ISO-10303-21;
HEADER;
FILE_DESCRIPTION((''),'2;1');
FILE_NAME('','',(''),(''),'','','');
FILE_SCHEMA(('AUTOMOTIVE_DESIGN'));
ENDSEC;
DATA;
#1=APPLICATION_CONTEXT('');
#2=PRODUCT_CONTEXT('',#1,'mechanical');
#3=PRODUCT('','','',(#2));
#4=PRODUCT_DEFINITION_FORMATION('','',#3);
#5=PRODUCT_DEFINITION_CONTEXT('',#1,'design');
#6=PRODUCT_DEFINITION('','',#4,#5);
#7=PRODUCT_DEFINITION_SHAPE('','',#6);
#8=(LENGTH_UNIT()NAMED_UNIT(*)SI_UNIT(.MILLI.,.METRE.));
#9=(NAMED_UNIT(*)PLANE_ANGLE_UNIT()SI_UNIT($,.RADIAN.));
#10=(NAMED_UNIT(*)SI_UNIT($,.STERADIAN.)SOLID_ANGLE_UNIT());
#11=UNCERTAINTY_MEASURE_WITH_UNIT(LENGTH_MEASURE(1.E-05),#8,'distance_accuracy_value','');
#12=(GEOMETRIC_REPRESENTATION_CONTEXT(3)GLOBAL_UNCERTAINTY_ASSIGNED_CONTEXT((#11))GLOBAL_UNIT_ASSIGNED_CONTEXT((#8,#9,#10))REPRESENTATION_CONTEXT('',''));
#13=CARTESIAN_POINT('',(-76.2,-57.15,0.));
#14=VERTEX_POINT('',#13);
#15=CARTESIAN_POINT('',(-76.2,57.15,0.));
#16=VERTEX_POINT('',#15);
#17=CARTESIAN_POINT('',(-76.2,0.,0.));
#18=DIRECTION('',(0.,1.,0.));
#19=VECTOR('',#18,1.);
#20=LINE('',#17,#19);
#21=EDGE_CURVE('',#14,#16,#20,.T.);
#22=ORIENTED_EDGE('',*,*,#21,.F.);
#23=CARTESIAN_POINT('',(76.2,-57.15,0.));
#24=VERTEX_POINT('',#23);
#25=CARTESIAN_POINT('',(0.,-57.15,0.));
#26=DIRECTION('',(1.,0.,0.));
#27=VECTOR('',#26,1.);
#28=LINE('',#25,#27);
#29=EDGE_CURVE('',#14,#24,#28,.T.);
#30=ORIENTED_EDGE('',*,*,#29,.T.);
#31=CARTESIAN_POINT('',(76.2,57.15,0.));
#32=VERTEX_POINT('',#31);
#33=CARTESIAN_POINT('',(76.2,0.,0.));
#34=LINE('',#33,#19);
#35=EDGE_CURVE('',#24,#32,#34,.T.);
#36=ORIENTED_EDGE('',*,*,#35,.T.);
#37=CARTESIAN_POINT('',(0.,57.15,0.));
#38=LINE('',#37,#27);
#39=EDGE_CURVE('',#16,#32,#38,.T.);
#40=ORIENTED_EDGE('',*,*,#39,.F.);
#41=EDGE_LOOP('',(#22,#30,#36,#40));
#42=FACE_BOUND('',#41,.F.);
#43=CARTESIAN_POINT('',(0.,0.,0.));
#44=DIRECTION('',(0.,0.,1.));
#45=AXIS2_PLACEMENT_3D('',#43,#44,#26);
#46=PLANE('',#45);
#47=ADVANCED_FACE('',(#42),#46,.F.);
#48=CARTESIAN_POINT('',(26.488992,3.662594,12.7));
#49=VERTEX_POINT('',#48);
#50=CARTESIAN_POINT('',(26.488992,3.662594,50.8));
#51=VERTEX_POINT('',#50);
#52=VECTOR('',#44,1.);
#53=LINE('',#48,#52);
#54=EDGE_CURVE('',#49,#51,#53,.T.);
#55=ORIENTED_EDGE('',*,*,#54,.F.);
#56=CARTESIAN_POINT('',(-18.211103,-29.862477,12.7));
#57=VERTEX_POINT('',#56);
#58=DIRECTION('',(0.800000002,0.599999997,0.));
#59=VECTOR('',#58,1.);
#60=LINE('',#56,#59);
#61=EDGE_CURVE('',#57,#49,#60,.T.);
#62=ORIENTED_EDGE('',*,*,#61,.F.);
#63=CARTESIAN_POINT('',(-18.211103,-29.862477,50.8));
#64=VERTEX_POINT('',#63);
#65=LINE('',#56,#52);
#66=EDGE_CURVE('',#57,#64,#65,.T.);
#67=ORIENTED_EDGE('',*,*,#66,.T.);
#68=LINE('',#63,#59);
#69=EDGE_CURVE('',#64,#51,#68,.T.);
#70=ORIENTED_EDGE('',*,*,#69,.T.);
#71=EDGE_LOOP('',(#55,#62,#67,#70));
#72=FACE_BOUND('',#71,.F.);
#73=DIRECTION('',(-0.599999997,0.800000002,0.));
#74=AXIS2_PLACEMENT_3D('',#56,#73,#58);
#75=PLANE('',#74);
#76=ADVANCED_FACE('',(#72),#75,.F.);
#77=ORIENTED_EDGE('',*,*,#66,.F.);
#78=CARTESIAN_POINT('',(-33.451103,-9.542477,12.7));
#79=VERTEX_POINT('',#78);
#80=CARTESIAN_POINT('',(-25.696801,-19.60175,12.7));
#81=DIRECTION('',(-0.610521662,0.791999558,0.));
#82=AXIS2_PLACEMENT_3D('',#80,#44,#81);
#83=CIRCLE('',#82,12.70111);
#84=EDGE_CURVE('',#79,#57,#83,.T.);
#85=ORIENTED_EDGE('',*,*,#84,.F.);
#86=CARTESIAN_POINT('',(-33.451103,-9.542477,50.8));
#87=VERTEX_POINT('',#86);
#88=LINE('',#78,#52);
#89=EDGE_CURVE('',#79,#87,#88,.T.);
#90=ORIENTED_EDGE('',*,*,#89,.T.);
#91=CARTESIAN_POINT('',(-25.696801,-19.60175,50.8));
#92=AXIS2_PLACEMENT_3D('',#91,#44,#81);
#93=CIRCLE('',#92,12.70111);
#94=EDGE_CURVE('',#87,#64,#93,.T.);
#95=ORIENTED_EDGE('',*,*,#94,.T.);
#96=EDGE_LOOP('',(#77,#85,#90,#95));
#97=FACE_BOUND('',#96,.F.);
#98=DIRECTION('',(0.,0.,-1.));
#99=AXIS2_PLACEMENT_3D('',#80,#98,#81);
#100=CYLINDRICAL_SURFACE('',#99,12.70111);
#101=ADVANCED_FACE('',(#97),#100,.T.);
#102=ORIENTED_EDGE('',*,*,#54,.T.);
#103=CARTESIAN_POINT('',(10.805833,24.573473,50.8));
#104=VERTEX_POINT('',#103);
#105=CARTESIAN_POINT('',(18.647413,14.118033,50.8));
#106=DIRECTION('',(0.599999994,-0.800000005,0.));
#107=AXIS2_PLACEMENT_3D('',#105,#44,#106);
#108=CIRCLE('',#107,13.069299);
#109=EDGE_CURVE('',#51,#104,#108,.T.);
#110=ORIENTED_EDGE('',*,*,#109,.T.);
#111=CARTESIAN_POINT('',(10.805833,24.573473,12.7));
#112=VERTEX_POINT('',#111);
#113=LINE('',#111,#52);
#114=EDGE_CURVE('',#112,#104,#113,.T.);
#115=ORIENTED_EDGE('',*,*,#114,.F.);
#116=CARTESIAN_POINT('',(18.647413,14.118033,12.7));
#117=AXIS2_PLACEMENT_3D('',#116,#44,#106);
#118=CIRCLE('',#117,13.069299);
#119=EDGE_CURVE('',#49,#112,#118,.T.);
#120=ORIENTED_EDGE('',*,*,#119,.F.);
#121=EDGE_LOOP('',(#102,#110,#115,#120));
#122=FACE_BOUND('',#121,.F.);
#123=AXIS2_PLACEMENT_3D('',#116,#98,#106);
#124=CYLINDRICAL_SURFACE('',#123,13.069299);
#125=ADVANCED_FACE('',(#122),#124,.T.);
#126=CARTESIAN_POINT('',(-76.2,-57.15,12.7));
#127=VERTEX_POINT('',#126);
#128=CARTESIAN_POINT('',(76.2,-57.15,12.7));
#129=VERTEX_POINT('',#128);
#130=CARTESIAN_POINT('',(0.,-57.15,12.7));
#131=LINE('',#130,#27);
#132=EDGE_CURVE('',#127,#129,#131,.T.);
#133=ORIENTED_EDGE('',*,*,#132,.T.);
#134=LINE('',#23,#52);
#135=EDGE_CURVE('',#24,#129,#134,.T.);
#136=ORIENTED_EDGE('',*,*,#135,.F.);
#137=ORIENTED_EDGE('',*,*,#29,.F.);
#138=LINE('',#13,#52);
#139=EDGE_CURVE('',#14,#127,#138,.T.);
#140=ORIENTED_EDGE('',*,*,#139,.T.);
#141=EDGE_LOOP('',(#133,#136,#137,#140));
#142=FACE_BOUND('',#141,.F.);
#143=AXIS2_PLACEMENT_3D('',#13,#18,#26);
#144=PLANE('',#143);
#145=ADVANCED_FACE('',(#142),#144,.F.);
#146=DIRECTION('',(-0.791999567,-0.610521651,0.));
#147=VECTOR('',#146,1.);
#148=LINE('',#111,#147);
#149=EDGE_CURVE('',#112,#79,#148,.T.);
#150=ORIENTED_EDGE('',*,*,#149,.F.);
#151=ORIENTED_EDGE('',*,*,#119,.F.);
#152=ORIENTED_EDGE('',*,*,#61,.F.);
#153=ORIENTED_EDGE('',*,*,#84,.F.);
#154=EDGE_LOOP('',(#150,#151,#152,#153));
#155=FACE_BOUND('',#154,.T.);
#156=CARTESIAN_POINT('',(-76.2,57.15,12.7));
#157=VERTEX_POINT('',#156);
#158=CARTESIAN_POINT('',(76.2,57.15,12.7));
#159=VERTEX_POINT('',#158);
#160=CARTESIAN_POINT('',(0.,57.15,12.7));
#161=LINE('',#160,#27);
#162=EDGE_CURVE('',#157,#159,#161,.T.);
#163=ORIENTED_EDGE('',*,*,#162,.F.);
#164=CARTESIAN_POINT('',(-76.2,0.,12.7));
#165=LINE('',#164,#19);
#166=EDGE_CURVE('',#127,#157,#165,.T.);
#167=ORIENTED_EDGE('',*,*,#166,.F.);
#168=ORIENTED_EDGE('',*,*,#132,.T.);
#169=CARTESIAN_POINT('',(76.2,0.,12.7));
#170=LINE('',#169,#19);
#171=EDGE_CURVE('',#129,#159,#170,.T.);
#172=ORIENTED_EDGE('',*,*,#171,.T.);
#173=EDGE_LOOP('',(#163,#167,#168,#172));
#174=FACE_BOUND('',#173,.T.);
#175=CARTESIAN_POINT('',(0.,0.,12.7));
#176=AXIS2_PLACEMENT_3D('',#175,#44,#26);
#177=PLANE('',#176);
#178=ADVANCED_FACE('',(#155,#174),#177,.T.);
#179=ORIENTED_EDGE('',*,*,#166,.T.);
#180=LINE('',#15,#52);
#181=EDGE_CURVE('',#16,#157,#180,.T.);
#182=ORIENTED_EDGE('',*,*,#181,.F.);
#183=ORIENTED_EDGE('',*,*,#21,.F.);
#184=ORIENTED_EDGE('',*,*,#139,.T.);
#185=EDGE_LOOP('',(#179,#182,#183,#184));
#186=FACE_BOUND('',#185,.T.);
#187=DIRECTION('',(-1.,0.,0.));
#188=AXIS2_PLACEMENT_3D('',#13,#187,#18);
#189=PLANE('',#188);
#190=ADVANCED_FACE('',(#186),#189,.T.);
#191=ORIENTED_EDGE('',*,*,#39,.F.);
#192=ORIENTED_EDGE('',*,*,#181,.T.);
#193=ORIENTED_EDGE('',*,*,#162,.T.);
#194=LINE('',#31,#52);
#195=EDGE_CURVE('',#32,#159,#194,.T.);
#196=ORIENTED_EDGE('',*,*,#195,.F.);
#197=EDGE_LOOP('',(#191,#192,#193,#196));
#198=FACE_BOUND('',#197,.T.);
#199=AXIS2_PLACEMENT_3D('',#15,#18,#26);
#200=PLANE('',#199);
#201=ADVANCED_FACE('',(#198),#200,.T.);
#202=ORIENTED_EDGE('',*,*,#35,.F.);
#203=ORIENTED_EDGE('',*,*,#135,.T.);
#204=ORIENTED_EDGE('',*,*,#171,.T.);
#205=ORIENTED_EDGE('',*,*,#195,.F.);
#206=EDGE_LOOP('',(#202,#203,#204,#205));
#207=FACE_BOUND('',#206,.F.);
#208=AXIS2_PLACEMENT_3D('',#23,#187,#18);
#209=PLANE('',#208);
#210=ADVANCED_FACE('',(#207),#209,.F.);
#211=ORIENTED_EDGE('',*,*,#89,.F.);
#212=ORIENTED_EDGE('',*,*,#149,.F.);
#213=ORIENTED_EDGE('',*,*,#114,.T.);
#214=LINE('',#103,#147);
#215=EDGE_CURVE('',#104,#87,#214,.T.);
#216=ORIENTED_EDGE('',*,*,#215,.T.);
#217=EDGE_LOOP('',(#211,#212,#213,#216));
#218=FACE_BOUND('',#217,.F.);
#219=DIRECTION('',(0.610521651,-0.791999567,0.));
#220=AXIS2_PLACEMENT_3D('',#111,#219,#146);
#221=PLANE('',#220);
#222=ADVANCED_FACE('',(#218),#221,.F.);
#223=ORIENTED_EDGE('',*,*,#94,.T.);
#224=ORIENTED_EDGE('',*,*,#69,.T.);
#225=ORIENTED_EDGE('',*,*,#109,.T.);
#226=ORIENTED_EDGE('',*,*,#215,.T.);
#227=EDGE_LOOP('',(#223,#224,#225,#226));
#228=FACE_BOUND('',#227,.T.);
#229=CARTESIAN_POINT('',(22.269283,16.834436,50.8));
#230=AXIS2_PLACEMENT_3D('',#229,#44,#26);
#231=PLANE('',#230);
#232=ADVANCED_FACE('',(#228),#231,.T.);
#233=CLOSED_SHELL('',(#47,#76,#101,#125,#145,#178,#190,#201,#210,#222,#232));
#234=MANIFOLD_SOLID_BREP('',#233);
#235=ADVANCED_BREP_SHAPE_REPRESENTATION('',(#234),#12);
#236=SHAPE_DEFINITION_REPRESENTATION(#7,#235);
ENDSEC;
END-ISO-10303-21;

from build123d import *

# Parameters (mm, degrees)
F0_W     = 152.4
F0_H     = 114.3
F1_DEPTH = 12.7
F3_DEPTH = 38.1


with BuildPart() as f1:
    # F0 (on Top) → F1 (new body)
    with BuildSketch(Plane.XY):
        Rectangle(F0_W, F0_H)
    extrude(amount=F1_DEPTH)

    # F2 (on face) → F3 (join)
    with BuildSketch(Plane.XY.offset(12.7)):
        with BuildLine():
            ThreePointArc((26.488992, 3.662594), (29.102852, 21.959613), (10.805833, 24.573473))
            Line((10.805833, 24.573473), (26.488992, 3.662594))
        make_face()
        Polygon((10.805833, 24.573473), (-33.451103, -9.542477), (-18.211103, -29.862477), (26.488992, 3.662594), align=None)
        with BuildLine():
            Line((-18.211103, -29.862477), (-33.451103, -9.542477))
            ThreePointArc((-33.451103, -9.542477), (-35.857688, -27.222416), (-18.211103, -29.862477))
        make_face()
    extrude(amount=F3_DEPTH)


solid = f1.part
